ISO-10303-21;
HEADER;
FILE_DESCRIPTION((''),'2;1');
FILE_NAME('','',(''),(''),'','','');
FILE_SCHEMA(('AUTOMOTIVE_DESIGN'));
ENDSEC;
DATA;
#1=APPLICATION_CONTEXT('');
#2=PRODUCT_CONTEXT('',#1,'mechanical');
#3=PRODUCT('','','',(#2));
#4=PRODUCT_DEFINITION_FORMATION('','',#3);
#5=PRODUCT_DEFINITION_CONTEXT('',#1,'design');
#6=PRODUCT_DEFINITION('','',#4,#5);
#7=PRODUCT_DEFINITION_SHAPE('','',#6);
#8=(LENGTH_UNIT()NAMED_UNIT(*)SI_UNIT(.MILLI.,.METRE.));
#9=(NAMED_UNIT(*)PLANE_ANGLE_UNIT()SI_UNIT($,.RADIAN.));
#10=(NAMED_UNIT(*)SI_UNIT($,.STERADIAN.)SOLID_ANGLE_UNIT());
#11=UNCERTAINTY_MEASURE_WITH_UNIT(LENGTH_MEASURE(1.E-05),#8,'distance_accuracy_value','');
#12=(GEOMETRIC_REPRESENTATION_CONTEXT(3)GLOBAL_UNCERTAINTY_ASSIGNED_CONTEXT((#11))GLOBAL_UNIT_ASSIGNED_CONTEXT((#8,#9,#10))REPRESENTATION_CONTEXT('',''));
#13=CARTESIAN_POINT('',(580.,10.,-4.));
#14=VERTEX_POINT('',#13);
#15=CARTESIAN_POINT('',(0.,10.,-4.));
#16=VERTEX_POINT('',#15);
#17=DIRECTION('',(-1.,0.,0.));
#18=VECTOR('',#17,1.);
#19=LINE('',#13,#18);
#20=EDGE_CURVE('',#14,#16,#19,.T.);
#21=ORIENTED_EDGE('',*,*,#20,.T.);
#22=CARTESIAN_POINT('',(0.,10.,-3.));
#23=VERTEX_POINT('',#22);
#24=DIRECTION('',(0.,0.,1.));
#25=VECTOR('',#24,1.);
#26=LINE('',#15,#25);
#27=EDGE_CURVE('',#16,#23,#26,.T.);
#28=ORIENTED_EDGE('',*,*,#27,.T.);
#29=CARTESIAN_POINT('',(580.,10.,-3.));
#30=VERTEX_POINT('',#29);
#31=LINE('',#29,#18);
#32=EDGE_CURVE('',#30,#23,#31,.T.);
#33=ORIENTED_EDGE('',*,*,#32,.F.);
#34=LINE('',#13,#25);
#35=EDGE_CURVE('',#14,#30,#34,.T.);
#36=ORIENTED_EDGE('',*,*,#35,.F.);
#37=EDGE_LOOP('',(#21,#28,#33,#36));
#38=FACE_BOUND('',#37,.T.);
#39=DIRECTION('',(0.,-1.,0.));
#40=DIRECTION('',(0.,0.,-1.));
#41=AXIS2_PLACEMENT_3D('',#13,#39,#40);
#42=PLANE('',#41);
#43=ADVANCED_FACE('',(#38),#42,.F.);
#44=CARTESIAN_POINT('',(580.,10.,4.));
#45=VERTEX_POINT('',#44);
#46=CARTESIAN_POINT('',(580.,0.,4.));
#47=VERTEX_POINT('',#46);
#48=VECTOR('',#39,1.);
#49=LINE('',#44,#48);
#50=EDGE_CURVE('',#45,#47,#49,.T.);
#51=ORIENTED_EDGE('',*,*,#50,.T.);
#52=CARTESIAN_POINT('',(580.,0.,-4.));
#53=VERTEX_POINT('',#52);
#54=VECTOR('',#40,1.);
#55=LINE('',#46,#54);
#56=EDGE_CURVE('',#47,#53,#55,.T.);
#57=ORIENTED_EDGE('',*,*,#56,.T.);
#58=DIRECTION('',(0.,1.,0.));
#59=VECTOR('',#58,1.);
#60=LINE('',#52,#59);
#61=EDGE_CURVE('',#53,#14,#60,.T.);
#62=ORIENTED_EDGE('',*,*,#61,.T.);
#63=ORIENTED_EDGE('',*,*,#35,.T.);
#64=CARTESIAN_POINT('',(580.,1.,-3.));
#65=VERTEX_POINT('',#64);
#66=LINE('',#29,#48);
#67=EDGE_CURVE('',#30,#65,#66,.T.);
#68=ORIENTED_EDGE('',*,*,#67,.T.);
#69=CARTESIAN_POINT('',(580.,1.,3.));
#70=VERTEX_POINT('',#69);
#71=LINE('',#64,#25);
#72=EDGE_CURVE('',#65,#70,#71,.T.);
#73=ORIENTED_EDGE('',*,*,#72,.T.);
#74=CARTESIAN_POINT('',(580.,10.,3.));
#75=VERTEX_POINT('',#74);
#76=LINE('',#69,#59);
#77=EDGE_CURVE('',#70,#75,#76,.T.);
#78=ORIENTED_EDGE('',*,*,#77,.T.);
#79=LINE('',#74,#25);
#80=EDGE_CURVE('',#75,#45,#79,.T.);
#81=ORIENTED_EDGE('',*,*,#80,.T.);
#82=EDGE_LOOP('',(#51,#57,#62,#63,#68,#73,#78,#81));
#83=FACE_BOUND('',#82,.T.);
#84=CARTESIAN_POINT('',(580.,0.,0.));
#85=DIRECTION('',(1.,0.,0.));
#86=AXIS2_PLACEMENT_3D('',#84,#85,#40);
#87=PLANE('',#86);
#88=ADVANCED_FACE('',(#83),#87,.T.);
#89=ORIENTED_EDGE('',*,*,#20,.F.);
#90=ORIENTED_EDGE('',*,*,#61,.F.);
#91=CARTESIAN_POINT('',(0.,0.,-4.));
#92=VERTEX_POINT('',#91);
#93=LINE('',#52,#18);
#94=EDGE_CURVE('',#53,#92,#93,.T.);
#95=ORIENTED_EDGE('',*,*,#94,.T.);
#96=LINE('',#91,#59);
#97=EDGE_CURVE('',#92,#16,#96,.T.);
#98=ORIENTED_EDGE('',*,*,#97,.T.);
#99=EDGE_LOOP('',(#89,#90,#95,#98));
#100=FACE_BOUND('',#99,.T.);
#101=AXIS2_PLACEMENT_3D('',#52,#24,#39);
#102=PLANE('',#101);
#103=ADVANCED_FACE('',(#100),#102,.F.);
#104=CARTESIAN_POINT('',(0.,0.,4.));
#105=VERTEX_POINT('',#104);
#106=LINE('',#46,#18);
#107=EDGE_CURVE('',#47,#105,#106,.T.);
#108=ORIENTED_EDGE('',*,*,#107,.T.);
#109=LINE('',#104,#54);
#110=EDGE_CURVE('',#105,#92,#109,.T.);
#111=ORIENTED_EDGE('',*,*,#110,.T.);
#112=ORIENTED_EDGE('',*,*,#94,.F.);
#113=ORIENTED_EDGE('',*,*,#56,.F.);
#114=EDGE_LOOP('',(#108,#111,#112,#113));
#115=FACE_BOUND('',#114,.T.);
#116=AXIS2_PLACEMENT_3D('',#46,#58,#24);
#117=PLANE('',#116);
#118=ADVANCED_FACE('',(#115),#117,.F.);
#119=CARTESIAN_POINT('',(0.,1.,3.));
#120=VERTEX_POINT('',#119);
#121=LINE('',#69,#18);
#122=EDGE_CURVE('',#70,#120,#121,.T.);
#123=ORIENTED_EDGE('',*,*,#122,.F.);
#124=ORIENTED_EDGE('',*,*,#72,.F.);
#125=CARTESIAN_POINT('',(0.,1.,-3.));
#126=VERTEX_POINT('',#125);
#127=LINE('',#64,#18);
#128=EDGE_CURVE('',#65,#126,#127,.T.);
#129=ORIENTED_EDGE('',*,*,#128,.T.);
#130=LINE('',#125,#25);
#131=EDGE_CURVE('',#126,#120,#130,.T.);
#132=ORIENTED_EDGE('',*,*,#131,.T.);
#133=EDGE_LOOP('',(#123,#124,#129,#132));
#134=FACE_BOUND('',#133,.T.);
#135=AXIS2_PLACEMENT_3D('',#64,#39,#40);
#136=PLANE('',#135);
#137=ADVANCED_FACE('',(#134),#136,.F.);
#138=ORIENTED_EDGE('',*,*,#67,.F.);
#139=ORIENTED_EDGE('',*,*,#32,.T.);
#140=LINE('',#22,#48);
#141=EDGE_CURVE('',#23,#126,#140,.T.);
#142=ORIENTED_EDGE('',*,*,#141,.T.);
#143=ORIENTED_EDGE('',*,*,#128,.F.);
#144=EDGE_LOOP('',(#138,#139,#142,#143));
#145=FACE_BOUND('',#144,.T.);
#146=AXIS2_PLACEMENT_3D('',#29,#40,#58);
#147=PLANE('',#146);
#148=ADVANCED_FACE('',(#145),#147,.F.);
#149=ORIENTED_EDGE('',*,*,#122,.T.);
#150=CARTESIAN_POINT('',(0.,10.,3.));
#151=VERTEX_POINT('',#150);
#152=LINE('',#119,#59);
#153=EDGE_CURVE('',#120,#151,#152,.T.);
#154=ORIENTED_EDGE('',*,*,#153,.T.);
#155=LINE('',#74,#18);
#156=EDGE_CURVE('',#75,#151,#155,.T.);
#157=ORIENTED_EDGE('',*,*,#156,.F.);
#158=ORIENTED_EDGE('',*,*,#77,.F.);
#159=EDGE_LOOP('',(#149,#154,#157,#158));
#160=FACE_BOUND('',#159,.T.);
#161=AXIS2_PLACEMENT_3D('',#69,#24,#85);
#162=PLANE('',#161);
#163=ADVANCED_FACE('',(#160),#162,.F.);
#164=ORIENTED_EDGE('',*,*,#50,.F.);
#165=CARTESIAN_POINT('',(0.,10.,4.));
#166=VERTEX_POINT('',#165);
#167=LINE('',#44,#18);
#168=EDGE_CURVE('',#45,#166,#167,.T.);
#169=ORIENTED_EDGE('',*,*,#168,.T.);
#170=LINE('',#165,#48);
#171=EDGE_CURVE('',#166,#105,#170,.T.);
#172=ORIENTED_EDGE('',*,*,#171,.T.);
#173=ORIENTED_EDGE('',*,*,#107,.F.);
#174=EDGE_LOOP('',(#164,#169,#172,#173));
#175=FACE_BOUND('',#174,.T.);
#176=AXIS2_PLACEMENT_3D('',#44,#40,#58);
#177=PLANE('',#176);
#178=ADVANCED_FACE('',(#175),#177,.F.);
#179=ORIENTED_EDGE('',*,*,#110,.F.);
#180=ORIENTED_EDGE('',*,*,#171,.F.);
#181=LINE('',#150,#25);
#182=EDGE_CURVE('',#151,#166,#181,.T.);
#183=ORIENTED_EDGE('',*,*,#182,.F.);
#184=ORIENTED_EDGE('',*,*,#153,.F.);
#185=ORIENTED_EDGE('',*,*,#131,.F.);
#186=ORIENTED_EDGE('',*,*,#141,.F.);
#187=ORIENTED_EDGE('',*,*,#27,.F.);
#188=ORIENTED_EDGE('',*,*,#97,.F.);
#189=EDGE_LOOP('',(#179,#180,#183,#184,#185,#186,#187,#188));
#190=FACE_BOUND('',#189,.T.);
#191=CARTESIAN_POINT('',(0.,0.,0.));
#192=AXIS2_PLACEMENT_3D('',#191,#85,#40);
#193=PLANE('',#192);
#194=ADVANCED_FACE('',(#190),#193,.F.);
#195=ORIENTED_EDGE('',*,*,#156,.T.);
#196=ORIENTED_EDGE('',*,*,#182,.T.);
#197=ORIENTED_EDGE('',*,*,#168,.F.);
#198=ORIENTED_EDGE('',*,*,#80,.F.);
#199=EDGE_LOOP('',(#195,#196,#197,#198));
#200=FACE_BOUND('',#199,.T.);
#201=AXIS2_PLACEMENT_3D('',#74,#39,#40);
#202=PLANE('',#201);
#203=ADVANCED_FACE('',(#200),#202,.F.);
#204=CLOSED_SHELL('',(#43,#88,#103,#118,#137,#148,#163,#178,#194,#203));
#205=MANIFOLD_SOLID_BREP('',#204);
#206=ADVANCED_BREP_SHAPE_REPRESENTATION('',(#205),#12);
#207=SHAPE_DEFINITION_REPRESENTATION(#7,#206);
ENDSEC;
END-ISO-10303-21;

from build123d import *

# Parameters (mm, degrees)
BOSS_EXTRUDE1_DEPTH = 580


with BuildPart() as part:
    # Sketch1 → Boss-Extrude1 (new body)
    with BuildSketch(Plane(origin=(0, 0, 0), x_dir=(0, 0, -1), z_dir=(1, 0, 0))):
        Polygon((-4, 0), (4, 0), (4, 10), (3, 10), (3, 1), (-3, 1), (-3, 10), (-4, 10), align=None)
    extrude(amount=BOSS_EXTRUDE1_DEPTH)


solid = part.part
